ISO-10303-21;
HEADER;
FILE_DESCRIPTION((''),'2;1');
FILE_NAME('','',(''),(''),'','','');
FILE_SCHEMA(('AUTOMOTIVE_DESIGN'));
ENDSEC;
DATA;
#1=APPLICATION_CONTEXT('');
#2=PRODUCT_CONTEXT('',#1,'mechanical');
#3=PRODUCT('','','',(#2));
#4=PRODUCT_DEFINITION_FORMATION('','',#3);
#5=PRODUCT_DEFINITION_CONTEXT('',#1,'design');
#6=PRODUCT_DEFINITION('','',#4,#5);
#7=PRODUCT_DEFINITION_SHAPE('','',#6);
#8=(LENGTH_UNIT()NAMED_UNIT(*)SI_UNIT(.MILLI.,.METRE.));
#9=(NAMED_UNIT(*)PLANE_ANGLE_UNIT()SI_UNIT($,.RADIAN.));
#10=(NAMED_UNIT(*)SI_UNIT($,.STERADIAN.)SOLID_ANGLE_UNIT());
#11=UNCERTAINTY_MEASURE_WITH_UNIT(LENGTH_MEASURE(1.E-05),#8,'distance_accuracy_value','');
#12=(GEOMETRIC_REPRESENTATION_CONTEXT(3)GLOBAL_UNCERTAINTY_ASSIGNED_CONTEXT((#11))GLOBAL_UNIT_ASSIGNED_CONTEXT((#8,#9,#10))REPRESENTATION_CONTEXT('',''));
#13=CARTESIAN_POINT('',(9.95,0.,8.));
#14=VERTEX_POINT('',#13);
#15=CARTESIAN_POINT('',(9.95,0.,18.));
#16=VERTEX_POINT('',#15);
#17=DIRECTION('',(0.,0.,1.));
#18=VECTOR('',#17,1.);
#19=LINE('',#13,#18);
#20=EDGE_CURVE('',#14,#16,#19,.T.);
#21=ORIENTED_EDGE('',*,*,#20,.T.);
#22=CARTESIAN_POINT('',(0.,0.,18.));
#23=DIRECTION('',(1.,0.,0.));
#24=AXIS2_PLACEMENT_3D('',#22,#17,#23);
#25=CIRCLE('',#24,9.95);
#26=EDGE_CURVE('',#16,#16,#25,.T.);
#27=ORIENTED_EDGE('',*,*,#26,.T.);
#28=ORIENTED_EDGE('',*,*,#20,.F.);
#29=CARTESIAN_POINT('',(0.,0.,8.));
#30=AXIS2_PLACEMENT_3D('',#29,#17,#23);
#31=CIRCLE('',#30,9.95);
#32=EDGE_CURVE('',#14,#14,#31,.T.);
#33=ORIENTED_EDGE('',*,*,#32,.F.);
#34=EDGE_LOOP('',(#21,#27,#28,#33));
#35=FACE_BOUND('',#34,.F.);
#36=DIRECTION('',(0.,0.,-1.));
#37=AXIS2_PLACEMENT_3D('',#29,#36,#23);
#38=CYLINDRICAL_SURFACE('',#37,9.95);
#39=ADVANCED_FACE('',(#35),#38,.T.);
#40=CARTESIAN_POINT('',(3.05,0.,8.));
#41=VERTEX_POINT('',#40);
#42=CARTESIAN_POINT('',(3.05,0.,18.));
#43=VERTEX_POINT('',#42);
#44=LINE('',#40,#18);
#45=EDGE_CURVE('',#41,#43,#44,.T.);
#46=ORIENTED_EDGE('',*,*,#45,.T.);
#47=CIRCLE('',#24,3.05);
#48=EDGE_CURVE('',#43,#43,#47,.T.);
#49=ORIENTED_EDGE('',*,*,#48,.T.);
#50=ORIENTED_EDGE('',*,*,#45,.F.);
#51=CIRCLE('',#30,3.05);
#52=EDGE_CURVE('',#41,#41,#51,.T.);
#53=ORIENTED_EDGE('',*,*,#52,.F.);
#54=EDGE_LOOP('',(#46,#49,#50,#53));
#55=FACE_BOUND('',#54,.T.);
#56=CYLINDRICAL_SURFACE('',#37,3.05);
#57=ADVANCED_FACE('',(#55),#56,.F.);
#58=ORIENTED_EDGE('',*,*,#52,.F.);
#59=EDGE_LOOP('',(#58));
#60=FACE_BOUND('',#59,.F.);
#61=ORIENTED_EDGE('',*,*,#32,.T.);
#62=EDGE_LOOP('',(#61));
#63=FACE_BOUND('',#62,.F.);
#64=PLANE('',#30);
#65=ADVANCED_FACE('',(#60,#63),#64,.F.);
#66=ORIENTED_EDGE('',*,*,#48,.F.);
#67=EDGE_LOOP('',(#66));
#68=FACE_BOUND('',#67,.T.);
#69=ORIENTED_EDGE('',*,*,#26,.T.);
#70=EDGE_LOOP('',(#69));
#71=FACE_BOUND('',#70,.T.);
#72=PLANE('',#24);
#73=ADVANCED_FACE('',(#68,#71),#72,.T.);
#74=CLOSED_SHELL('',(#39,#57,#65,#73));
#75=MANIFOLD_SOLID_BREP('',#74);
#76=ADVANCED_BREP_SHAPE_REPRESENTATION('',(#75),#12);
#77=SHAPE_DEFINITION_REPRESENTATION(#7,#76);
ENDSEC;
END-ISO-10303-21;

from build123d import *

# Parameters (mm, degrees)
SKETCH001_R   = 9.95
SKETCH001_R_2 = 3.05
PAD_DEPTH     = 10


with BuildPart() as part:
    # Sketch001 → Pad (new body)
    with BuildSketch(Plane.XY.offset(8)):
        Circle(SKETCH001_R)
        Circle(SKETCH001_R_2, mode=Mode.SUBTRACT)
    extrude(amount=PAD_DEPTH)


solid = part.part
